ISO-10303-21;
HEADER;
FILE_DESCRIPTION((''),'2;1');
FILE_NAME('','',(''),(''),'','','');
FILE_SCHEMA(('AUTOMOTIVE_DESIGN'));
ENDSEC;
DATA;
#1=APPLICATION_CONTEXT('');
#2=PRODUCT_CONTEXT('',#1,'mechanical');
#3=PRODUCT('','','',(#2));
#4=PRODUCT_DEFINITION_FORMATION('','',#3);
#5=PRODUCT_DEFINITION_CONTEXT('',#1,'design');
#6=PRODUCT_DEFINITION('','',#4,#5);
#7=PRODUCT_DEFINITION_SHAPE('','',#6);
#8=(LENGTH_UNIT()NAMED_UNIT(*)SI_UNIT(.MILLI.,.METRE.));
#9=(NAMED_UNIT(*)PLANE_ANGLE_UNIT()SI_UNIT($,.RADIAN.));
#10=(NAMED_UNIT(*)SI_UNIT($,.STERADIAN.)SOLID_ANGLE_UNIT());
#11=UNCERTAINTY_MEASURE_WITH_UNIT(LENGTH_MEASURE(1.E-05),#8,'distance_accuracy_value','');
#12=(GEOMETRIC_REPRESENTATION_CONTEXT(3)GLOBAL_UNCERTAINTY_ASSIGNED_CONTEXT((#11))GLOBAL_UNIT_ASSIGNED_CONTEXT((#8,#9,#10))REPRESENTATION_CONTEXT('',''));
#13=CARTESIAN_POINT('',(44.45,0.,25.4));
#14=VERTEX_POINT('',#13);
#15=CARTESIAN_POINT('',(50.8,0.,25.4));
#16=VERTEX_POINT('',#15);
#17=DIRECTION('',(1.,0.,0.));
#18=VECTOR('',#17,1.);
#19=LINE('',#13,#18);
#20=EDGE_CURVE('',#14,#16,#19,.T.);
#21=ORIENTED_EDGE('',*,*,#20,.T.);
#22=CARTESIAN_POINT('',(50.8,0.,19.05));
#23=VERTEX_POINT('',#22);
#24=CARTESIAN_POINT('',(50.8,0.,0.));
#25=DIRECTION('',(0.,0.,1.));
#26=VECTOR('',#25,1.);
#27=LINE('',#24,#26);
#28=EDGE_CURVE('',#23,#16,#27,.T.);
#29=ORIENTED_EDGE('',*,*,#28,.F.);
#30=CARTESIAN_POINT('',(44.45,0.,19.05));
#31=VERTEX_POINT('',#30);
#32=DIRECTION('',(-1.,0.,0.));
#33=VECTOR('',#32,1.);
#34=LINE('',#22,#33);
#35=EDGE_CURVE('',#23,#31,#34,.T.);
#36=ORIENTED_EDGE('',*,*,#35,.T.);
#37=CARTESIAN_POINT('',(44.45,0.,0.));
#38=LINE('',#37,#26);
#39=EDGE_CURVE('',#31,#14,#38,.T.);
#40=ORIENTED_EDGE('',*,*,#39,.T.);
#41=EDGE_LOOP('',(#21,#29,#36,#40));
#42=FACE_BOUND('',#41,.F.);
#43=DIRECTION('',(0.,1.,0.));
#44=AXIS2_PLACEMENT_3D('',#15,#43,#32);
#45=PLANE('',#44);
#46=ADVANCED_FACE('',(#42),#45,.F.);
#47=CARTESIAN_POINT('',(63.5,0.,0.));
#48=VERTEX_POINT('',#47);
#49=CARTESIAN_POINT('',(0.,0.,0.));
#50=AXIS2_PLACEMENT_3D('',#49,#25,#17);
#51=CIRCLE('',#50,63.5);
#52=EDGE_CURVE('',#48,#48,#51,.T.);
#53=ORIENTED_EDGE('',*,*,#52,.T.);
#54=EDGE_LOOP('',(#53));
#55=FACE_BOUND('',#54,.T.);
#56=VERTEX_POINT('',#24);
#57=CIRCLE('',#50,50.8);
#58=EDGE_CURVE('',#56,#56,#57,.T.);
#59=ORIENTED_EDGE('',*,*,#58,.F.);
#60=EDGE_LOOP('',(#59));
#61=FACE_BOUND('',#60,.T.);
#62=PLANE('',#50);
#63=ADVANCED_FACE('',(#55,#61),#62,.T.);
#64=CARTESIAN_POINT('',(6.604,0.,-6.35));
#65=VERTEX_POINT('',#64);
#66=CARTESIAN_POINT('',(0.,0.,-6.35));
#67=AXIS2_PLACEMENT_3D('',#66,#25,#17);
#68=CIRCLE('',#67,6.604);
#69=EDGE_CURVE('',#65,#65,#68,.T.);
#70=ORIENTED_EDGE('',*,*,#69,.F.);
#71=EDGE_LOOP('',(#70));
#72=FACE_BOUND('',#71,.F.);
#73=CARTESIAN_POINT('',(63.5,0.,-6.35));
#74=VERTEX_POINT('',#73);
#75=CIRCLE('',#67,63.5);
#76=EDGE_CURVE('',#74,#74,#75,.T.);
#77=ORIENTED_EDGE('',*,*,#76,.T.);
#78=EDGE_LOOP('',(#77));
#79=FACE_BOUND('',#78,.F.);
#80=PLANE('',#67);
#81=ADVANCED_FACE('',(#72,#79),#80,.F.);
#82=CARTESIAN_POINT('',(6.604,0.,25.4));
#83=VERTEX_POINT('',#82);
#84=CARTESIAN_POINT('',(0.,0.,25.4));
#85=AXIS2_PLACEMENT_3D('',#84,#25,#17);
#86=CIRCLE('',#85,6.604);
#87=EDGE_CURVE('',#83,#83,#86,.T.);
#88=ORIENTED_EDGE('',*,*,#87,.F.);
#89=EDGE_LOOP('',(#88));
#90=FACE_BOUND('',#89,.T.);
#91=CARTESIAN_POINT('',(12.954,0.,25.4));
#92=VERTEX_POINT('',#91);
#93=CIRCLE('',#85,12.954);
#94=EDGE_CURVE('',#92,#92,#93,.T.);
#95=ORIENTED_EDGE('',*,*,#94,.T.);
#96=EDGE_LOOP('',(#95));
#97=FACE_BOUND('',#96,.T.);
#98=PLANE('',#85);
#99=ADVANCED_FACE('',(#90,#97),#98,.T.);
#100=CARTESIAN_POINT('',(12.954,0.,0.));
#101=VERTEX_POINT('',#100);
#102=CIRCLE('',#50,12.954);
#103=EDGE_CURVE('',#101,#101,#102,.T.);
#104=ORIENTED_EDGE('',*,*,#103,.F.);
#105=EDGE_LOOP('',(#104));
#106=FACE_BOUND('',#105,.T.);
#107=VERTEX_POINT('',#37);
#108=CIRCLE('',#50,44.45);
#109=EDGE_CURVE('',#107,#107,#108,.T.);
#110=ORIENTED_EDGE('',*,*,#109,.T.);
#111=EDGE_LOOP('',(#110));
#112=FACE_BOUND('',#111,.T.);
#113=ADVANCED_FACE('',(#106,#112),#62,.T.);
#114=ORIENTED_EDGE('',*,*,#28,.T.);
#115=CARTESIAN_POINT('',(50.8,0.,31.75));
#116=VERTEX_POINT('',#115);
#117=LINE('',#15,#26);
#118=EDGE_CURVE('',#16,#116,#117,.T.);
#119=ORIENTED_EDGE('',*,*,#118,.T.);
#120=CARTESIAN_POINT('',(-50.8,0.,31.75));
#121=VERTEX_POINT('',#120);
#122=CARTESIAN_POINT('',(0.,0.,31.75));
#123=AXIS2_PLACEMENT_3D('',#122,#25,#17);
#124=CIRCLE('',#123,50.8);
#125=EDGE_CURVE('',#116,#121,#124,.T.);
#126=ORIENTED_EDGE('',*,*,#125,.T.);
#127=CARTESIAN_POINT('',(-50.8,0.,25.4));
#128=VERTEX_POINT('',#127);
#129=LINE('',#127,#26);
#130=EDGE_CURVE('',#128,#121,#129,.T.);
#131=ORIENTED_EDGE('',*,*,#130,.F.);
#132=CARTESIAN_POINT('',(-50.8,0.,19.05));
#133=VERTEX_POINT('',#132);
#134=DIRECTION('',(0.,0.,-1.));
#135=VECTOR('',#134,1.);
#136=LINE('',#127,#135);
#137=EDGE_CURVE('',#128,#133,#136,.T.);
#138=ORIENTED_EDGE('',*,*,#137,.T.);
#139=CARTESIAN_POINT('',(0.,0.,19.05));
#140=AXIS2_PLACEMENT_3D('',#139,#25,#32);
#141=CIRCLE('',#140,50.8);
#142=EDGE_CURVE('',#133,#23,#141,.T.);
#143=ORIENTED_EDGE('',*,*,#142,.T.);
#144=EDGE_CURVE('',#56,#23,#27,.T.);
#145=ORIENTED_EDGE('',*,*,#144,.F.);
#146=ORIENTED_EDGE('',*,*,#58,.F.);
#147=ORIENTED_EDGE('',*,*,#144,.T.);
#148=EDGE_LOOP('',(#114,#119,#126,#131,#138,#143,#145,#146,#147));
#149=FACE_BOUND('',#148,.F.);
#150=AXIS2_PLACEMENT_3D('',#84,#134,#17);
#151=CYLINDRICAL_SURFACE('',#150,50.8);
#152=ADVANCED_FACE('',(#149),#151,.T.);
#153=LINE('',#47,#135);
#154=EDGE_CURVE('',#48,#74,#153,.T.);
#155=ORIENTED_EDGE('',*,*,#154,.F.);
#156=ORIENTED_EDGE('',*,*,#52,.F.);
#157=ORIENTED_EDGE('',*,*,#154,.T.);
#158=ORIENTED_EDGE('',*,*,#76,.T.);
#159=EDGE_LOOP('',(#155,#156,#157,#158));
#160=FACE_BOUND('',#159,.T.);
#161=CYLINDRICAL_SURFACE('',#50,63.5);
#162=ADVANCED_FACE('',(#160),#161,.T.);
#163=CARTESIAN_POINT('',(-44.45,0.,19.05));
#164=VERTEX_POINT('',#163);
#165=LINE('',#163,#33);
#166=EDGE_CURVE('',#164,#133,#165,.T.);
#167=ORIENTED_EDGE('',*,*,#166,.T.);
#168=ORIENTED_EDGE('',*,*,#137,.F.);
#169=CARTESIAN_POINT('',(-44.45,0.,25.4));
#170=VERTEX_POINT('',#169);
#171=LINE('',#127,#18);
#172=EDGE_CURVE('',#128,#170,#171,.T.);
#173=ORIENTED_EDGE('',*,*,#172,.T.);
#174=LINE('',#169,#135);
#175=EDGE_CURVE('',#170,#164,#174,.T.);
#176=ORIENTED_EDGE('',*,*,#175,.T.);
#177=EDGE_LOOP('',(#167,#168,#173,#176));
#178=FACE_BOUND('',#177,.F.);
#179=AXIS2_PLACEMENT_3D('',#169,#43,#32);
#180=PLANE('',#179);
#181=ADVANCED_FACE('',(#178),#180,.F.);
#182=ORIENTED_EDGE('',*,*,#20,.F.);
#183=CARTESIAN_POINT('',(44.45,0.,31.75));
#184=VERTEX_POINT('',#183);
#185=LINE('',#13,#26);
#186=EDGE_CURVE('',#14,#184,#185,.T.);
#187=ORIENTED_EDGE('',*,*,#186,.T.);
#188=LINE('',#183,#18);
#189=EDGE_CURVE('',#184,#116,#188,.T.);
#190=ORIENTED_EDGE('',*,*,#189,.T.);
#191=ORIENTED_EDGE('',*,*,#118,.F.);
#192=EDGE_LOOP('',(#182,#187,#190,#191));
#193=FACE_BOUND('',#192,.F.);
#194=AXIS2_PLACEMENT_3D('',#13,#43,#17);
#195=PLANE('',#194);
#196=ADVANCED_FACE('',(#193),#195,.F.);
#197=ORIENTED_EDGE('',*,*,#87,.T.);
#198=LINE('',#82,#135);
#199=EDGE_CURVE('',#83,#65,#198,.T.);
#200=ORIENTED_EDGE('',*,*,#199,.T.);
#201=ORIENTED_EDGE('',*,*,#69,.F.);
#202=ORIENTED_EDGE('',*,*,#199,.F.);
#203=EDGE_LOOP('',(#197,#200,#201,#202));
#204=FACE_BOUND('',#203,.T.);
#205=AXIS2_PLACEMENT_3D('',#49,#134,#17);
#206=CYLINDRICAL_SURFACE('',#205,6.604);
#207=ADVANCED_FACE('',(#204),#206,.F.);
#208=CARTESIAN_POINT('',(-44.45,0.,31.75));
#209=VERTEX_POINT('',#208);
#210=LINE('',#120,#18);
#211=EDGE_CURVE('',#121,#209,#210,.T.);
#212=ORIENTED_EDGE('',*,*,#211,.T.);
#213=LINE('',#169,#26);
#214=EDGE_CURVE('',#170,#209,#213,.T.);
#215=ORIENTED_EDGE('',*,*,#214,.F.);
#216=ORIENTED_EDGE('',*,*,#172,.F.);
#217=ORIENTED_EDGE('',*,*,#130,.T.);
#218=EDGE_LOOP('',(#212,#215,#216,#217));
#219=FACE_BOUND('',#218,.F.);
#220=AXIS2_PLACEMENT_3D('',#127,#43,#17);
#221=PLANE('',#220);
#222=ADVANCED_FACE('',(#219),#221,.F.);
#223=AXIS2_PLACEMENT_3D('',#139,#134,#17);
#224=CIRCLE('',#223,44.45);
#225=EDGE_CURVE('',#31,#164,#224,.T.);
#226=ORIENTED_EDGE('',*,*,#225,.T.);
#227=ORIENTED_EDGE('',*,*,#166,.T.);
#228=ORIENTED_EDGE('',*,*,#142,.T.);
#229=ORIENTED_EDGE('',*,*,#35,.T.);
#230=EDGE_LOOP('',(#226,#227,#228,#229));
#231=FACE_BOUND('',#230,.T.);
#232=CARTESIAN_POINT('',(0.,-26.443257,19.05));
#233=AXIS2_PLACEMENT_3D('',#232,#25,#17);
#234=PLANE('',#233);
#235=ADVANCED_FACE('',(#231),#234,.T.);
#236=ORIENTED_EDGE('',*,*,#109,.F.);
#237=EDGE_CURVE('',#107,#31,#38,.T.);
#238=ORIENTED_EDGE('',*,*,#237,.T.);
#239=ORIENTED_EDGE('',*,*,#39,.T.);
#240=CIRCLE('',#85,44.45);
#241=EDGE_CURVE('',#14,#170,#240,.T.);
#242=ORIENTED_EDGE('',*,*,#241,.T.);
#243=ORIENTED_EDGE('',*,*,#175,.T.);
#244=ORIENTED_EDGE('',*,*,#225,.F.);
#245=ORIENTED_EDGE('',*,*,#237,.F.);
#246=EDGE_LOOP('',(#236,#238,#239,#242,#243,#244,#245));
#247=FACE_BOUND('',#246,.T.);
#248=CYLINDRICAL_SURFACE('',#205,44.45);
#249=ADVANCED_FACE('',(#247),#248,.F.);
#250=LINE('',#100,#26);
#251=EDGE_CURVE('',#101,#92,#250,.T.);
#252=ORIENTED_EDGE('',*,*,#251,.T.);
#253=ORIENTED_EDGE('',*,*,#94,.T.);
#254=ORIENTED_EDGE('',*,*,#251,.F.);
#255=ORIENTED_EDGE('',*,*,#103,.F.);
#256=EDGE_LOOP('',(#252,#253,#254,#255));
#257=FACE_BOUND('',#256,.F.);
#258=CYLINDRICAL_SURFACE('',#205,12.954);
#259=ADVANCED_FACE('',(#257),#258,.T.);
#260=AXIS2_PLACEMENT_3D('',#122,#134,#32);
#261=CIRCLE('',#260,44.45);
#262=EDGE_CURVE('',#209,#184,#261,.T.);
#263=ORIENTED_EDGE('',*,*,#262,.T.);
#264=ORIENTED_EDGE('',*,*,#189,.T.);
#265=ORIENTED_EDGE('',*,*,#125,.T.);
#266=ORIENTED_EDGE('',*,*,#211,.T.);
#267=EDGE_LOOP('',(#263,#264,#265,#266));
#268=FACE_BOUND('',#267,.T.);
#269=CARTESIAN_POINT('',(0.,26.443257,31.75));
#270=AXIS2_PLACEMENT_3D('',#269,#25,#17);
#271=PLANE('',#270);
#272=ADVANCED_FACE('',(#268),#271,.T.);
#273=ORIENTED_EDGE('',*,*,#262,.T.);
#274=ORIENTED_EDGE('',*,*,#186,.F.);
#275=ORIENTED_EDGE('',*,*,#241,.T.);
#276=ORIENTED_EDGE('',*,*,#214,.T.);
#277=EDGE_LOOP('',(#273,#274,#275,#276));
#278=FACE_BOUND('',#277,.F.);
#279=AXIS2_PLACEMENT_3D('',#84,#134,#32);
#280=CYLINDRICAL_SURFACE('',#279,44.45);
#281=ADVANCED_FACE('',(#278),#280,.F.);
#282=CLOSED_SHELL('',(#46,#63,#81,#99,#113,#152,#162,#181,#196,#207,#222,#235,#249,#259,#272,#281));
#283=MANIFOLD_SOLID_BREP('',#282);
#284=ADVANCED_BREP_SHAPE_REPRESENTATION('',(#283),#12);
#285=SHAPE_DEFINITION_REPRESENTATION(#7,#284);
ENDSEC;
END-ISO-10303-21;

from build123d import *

# Parameters (mm, degrees)
F0_R     = 63.5
F0_R_2   = 50.8
F0_R_3   = 44.45
F0_R_4   = 12.954
F0_R_5   = 6.604
F1_DEPTH = 6.35
F2_DEPTH = 25.4
F4_DEPTH = 6.35
F5_DEPTH = 6.35


with BuildPart() as f1:
    # F0 (on Top) → F1 (new body)
    with BuildSketch(Plane.XY):
        Circle(F0_R)
        Circle(F0_R_2, mode=Mode.SUBTRACT)
        Circle(F0_R_2)
        Circle(F0_R_3, mode=Mode.SUBTRACT)
        Circle(F0_R_3)
        Circle(F0_R_4, mode=Mode.SUBTRACT)
        Circle(F0_R_4)
        Circle(F0_R_5, mode=Mode.SUBTRACT)
    extrude(amount=-F1_DEPTH)

    # F0 (on Top) → F2 (join)
    with BuildSketch(Plane.XY):
        Circle(F0_R_2)
        Circle(F0_R_3, mode=Mode.SUBTRACT)
        Circle(F0_R_4)
        Circle(F0_R_5, mode=Mode.SUBTRACT)
    extrude(amount=F2_DEPTH)

    # F3 (on face) → F4 (join)
    with BuildSketch(Plane.XY.offset(25.4)):
        with BuildLine():
            ThreePointArc((50.8, 0), (0, 50.8), (-50.8, 0))
            Line((-50.8, 0), (-44.45, 0))
            ThreePointArc((-44.45, 0), (0, 44.45), (44.45, 0))
            Line((44.45, 0), (50.8, 0))
        make_face()
    extrude(amount=F4_DEPTH)

    # F2_face (on face) → F5 (cut)
    with BuildSketch(Plane.XY.offset(25.4)):
        with BuildLine():
            ThreePointArc((-50.8, 0), (0, -50.8), (50.8, 0))
            Line((50.8, 0), (44.45, 0))
            ThreePointArc((44.45, 0), (0, -44.45), (-44.45, 0))
            Line((-44.45, 0), (-50.8, 0))
        make_face()
    extrude(amount=-F5_DEPTH, mode=Mode.SUBTRACT)


solid = f1.part
